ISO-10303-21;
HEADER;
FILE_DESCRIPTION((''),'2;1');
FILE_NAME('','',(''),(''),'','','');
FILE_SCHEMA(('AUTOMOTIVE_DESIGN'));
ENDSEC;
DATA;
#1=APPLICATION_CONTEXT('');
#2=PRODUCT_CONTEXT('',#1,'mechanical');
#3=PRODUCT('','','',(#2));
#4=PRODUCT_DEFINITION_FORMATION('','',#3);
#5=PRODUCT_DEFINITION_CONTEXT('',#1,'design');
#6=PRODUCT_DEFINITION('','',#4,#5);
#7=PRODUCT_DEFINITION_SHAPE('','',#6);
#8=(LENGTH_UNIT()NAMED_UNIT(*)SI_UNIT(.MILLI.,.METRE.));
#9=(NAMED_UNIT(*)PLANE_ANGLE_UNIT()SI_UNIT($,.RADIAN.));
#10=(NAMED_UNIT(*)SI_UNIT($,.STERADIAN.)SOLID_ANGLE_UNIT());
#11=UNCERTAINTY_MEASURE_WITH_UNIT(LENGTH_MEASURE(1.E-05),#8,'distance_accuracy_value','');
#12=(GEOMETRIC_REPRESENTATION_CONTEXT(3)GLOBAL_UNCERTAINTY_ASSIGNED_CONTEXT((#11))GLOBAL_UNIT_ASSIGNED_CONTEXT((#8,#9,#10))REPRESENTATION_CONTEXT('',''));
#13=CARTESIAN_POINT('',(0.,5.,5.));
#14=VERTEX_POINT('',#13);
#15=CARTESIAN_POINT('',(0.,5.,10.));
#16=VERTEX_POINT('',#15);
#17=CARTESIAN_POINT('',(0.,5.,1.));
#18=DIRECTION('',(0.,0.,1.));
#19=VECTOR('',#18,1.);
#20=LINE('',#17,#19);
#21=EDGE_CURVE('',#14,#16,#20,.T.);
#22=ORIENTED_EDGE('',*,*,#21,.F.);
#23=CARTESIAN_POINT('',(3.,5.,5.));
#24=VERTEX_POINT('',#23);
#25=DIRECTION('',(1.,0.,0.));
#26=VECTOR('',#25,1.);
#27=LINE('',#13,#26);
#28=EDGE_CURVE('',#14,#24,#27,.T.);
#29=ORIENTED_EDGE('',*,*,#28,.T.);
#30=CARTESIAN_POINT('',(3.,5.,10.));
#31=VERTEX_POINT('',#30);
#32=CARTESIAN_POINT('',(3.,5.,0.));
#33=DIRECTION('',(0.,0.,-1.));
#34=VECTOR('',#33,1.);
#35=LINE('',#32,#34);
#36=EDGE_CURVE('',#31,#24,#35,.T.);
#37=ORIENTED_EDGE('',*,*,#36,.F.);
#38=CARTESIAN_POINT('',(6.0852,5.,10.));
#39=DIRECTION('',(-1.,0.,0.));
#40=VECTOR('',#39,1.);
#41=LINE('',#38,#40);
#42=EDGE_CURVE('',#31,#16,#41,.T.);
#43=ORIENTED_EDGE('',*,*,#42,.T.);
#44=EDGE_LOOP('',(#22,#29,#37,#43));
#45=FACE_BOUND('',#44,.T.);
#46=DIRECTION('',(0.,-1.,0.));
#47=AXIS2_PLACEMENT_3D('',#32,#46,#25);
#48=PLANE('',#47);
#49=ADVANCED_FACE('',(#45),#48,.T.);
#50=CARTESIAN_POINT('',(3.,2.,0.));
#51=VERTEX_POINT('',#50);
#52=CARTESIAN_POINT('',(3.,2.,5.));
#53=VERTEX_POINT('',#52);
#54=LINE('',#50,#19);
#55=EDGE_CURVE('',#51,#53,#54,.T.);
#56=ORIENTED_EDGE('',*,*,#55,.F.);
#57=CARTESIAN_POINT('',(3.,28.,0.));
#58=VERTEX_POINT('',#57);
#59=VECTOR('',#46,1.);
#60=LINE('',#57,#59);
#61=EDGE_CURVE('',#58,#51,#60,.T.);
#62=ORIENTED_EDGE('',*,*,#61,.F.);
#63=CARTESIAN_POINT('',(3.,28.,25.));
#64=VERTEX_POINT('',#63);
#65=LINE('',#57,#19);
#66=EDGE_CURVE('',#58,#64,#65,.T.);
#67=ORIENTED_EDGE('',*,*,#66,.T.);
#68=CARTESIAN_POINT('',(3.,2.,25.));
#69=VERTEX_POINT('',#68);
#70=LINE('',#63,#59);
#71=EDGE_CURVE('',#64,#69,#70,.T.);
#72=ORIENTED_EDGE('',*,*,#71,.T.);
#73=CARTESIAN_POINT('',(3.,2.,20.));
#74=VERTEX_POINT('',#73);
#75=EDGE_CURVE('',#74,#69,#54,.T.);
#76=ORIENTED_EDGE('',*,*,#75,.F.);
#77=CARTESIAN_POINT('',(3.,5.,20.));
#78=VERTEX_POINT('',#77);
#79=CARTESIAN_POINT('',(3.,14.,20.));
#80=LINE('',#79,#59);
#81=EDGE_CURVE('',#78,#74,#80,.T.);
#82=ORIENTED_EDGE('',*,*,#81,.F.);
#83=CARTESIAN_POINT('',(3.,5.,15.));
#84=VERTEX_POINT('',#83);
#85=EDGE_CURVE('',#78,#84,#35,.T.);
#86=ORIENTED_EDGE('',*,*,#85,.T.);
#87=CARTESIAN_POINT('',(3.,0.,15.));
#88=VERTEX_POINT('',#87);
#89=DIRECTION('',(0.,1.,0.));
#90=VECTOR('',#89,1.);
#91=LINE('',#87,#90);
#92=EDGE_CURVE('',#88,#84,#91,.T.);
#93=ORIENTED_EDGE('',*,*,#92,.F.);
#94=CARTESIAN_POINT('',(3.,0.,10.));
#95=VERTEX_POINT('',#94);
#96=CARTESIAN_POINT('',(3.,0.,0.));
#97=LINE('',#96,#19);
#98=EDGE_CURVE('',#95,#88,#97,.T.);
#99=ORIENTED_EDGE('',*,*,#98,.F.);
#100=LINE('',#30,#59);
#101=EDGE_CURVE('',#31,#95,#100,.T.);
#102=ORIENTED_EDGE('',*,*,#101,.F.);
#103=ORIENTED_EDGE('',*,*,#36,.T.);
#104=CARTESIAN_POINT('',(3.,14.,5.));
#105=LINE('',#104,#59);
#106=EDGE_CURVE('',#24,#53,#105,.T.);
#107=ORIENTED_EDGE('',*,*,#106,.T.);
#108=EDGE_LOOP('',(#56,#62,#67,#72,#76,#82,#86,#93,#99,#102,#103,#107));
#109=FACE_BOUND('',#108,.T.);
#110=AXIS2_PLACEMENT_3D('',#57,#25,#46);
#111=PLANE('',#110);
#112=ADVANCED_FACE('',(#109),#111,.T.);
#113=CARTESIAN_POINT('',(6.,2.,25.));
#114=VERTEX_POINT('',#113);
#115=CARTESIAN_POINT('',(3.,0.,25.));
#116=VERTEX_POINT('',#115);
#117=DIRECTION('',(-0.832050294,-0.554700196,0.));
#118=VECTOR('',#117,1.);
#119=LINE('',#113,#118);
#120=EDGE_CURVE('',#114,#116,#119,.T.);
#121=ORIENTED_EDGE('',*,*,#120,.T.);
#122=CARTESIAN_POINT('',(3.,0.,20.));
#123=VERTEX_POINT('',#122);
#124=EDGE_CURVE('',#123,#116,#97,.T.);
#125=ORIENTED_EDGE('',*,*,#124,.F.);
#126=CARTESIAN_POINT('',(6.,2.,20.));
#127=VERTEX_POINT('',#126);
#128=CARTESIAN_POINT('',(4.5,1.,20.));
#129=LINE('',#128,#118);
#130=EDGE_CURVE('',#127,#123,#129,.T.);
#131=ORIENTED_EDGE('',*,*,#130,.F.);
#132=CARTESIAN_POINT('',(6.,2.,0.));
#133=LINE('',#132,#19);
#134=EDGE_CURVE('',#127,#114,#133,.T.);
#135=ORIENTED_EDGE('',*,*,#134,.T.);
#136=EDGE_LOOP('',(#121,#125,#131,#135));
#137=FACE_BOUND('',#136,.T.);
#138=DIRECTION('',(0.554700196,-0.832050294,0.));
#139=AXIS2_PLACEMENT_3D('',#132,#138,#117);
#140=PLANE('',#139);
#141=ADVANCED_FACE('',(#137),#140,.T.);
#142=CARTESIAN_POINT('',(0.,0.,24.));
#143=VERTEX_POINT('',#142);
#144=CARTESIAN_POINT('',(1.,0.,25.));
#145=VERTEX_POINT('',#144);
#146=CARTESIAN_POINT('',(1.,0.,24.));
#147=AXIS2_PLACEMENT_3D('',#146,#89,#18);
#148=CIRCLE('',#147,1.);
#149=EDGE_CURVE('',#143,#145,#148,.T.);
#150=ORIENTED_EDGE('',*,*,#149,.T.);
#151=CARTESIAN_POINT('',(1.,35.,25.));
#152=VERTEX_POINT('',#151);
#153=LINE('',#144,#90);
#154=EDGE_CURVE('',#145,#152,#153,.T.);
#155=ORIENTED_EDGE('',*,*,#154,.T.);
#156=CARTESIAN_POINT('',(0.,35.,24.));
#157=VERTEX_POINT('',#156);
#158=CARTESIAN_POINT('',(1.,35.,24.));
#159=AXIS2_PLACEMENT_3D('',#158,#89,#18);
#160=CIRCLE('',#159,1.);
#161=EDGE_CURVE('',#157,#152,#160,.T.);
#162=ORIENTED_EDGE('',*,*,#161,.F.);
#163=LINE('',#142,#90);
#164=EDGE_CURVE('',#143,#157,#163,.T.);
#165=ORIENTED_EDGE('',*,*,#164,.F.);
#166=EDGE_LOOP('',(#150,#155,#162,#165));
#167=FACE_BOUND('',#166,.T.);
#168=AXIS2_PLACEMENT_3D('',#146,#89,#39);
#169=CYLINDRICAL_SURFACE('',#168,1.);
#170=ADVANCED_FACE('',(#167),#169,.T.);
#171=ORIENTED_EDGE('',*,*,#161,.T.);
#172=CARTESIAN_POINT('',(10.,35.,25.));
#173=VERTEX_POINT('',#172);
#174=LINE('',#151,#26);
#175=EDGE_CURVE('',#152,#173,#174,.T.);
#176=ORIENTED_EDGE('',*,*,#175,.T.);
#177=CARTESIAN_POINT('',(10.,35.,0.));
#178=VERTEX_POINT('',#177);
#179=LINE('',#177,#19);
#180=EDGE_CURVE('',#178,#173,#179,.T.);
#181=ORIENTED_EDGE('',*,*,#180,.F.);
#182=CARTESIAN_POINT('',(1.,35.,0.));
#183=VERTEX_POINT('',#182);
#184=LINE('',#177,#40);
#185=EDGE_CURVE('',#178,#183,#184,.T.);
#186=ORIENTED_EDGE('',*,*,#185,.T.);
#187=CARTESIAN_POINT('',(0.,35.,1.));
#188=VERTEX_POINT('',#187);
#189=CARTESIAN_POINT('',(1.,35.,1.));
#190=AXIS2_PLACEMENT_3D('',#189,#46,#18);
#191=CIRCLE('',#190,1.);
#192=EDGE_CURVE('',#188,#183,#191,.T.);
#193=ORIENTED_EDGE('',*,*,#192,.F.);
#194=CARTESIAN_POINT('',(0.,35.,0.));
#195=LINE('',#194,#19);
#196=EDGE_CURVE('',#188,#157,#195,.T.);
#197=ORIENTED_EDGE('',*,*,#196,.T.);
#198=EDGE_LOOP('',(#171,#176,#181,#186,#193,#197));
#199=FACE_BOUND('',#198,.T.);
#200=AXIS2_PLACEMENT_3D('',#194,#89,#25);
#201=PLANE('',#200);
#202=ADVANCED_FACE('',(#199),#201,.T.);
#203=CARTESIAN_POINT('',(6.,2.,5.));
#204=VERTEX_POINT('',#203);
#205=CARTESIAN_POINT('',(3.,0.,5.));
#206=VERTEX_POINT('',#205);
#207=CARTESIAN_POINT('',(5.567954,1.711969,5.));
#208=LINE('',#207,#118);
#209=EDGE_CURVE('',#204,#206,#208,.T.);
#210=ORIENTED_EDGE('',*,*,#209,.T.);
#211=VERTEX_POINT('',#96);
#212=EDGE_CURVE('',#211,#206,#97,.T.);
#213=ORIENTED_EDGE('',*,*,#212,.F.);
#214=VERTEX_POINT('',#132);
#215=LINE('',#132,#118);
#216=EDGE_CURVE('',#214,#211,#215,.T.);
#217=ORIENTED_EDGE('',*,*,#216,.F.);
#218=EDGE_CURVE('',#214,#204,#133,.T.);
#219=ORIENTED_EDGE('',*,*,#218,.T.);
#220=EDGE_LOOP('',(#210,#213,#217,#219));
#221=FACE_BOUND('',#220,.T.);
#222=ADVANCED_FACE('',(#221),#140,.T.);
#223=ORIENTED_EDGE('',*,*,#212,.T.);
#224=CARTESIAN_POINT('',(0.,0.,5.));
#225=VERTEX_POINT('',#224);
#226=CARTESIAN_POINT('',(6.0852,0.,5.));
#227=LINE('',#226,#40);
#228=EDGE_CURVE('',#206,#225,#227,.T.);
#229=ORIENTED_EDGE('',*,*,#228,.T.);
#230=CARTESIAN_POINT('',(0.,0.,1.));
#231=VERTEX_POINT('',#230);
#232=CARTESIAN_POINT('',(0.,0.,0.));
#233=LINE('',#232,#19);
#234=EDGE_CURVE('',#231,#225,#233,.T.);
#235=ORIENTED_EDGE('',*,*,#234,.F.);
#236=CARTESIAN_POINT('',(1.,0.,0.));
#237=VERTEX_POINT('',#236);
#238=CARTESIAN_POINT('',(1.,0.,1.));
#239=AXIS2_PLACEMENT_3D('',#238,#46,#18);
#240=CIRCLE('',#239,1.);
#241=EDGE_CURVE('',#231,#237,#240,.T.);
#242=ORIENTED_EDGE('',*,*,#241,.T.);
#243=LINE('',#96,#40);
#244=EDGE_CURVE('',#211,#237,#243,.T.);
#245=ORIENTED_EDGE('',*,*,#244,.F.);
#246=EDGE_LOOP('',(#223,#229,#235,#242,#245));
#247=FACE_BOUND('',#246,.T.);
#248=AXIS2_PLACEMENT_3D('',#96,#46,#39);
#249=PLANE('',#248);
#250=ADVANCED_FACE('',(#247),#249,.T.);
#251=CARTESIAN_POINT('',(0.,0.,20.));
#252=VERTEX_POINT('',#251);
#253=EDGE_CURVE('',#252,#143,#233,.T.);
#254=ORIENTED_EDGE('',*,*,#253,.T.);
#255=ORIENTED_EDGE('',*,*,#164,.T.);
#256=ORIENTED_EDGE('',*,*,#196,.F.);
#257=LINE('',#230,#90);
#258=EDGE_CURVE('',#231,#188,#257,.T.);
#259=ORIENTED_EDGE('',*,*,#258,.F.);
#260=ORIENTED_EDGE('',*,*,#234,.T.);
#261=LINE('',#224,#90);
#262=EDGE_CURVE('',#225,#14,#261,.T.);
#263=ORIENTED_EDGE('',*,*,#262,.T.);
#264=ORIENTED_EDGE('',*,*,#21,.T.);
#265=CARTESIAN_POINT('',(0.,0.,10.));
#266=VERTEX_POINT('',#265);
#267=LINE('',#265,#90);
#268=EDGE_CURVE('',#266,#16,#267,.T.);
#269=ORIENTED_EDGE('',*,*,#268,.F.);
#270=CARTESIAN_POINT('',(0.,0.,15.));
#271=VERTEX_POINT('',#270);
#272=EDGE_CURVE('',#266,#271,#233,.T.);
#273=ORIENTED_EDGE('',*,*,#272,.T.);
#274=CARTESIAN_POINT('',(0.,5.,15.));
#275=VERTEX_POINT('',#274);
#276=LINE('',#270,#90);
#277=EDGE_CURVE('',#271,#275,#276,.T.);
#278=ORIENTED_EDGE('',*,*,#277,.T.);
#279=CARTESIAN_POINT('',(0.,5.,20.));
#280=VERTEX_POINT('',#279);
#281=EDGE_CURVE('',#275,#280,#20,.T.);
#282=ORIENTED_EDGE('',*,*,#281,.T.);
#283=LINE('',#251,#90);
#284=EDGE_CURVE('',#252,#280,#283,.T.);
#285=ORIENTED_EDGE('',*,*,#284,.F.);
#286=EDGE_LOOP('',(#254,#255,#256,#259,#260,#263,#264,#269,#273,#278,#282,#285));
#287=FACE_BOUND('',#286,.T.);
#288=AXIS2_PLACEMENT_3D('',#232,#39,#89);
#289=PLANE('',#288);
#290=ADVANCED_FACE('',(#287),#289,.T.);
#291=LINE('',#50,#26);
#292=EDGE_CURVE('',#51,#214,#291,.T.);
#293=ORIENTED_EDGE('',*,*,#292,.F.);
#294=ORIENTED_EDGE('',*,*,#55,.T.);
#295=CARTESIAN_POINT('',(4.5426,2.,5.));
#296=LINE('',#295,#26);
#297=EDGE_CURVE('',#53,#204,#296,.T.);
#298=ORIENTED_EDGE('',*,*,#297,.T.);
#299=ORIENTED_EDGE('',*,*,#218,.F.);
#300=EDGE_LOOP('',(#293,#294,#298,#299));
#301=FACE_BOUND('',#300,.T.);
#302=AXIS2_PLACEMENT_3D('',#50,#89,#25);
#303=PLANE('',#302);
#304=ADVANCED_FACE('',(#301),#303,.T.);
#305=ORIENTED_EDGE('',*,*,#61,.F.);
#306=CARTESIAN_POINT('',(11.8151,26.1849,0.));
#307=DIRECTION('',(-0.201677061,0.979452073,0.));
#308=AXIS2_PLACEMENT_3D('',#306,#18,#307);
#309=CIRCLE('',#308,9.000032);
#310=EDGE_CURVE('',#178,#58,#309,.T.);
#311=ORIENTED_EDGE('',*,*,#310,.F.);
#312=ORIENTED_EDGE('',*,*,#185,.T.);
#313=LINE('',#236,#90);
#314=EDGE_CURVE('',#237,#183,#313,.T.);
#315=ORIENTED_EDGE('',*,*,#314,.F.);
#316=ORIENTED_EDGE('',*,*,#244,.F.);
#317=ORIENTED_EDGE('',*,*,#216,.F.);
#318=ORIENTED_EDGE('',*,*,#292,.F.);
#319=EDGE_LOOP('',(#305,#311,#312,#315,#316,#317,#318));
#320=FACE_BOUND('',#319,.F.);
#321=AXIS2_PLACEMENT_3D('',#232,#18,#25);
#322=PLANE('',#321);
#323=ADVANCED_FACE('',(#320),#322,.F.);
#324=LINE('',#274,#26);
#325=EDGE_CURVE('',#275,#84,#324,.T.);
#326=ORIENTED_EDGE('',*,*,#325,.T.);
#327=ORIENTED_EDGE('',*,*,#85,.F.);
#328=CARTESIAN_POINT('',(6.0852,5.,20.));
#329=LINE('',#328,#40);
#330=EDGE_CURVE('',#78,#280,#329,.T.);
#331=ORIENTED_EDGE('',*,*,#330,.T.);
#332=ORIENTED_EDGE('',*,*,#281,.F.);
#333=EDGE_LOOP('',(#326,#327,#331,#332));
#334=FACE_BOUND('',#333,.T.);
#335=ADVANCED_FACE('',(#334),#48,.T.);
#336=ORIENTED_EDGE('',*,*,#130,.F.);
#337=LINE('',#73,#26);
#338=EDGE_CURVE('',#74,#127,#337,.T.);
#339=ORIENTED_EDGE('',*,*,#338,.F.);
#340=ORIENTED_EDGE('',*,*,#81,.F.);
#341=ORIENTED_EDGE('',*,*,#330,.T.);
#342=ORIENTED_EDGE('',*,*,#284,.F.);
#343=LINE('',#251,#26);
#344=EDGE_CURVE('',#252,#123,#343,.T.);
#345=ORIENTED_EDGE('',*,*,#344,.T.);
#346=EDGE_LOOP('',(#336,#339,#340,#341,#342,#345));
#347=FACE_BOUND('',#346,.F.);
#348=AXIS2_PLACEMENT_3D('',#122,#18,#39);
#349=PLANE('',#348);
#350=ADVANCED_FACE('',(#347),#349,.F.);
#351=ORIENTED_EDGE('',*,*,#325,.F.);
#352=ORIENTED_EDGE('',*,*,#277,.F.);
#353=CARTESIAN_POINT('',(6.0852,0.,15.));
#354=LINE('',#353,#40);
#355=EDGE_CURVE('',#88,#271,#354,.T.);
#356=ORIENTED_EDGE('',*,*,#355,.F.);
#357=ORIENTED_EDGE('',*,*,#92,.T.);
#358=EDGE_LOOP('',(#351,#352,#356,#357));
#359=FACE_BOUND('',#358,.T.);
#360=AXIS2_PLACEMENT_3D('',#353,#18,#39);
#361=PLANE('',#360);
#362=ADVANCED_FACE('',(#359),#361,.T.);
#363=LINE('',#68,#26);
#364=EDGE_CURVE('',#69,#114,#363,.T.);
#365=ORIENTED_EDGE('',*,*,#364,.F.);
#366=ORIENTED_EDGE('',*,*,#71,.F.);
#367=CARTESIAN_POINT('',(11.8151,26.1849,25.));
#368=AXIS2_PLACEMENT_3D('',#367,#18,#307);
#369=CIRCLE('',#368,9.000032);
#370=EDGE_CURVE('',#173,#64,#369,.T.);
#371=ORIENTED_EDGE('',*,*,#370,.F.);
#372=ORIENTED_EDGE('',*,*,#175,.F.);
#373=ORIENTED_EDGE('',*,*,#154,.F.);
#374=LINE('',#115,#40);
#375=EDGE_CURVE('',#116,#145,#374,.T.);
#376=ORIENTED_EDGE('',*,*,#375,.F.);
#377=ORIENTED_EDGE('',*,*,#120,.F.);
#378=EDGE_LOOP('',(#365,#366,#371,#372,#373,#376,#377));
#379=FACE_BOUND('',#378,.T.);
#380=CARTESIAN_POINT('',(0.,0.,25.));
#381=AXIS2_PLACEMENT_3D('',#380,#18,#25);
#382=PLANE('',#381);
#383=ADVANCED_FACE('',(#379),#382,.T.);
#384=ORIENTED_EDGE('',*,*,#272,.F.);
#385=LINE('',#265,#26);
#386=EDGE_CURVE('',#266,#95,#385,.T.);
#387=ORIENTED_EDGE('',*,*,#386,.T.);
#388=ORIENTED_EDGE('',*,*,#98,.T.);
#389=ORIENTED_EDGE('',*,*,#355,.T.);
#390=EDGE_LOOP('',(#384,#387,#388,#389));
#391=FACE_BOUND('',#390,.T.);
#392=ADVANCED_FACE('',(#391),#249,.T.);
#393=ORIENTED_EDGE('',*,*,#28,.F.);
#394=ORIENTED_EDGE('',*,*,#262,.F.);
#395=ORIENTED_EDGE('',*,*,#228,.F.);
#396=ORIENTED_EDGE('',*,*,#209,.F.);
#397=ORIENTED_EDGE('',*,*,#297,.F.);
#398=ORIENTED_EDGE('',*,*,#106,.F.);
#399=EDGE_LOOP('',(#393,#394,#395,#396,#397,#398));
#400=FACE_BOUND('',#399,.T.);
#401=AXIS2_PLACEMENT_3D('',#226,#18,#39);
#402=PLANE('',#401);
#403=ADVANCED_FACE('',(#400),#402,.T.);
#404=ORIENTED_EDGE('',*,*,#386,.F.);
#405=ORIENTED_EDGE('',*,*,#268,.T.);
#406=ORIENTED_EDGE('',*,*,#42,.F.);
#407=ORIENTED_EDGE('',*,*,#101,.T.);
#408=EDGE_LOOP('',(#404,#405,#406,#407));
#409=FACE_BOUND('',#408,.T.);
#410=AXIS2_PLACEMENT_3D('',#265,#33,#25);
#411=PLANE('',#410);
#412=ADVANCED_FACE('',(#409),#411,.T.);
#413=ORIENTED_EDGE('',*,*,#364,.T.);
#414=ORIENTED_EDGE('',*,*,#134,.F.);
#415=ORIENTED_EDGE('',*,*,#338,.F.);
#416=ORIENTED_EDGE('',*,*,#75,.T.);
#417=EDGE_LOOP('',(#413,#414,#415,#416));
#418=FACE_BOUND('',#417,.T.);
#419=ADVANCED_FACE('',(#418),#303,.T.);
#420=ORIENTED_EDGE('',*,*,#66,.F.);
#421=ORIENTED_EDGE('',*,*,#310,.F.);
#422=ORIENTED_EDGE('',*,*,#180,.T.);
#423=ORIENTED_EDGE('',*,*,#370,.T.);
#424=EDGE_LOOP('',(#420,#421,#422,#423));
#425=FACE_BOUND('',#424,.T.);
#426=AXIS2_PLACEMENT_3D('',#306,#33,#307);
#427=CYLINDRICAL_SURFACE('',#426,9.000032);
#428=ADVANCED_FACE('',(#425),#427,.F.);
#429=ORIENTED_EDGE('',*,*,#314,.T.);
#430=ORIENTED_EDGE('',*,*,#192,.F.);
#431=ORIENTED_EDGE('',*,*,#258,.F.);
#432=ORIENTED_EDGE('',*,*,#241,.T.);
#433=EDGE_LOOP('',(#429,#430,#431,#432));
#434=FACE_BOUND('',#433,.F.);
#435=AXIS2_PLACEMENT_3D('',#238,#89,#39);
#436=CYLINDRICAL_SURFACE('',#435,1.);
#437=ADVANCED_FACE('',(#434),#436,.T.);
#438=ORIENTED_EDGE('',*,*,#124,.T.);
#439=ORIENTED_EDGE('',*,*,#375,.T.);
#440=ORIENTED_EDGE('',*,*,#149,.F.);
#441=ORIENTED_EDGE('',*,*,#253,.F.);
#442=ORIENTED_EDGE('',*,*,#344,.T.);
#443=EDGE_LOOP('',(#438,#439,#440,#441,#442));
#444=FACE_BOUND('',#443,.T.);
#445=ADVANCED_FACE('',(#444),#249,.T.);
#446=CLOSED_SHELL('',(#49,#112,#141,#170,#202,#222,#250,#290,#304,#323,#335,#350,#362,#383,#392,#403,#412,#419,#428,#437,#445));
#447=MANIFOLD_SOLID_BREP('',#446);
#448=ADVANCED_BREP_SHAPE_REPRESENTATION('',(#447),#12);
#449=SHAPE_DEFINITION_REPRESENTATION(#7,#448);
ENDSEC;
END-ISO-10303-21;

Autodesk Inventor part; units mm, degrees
ref_plane "YZ Plane" through (0, 0, 0) normal (1, 0, 0) x (0, 1, 0)
ref_plane "XZ Plane" through (0, 0, 0) normal (0, 1, 0) x (-1, 0, 0)
ref_plane "XY Plane" through (0, 0, 0) normal (0, 0, 1) x (1, 0, 0)
sketch "Sketch1" plane through (0, 0, 0) normal (0, 0, 1) x (1, 0, 0)
  line L0 (0, 0) -> (0, 35)
  line L1 (0, 35) -> (3, 35)
  line L2 (3, 28) -> (3, 2)
  line L3 (3, 0) -> (0, 0)
  line L4 (3, 2) -> (6, 2)
  line L5 (6, 2) -> (3, 0)
  line L6 (10, 35) -> (3, 35)
  arc A0 (10, 35) -> (3, 28) centre (11.8151, 26.1849) ccw
  dimension "d7" = 9
  dimension "d8" = 3
  dimension "d9" = 7
  dimension "d10" = 7
extrude "Extrusion1" add sketch "Sketch1" along normal blind 25
fillet "Fillet1" radius 1 1 edges at (0, 17.5, 25)
fillet "Fillet2" radius 1 1 edges at (0, 17.5, 0)
sketch "Sketch2" plane through (3, 0, 0) normal (0, -1, 0) x (1, 0, 0)
  line L0 (-3, 1) -> (-3, 24) projected
  line L1 (0, 5) -> (-3, 5)
  line L2 (-3, 5) -> (-3, 10)
  line L3 (-3, 10) -> (0, 10)
  line L4 (0, 15) -> (-3, 15)
  line L5 (0, 20) -> (-3, 20)
  line L6 (-3, 15) -> (-3, 20)
  line L7 (3.0852, 20) -> (0, 20)
  line L8 (3.0852, 20) -> (3.0852, 15)
  line L9 (3.0852, 15) -> (-1, 15)
  line L10 (0, 10) -> (1.0426, 10)
  line L11 (1.0426, 10) -> (3.0852, 10)
  line L12 (3.0852, 10) -> (3.0852, 5)
  line L13 (3.0852, 5) -> (0, 5)
  point P0 (-3, 0)
  dimension "d17" = 5
extrude "Extrusion2" cut sketch "Sketch2" against normal blind 5
sketch "Sketch3" plane through (3, 2, 10) normal (0, 1, 0) x (1, 0, 0)
  line L0 (3, 0) -> (0, 0) projected
  line L1 (0, -5) -> (3, -5) projected
  line L2 (3, 0) -> (3, -5) projected
  line L3 (0, -5) -> (0, 0)
  line L4 (3, 0) -> (0, 0)
  line L5 (3, 0) -> (3, -5)
  line L6 (3, -5) -> (0, -5)
  point P0 (-3, 10)
extrude "Extrusion3" cut sketch "Sketch3" against normal blind 5
properties part number "parteA"
